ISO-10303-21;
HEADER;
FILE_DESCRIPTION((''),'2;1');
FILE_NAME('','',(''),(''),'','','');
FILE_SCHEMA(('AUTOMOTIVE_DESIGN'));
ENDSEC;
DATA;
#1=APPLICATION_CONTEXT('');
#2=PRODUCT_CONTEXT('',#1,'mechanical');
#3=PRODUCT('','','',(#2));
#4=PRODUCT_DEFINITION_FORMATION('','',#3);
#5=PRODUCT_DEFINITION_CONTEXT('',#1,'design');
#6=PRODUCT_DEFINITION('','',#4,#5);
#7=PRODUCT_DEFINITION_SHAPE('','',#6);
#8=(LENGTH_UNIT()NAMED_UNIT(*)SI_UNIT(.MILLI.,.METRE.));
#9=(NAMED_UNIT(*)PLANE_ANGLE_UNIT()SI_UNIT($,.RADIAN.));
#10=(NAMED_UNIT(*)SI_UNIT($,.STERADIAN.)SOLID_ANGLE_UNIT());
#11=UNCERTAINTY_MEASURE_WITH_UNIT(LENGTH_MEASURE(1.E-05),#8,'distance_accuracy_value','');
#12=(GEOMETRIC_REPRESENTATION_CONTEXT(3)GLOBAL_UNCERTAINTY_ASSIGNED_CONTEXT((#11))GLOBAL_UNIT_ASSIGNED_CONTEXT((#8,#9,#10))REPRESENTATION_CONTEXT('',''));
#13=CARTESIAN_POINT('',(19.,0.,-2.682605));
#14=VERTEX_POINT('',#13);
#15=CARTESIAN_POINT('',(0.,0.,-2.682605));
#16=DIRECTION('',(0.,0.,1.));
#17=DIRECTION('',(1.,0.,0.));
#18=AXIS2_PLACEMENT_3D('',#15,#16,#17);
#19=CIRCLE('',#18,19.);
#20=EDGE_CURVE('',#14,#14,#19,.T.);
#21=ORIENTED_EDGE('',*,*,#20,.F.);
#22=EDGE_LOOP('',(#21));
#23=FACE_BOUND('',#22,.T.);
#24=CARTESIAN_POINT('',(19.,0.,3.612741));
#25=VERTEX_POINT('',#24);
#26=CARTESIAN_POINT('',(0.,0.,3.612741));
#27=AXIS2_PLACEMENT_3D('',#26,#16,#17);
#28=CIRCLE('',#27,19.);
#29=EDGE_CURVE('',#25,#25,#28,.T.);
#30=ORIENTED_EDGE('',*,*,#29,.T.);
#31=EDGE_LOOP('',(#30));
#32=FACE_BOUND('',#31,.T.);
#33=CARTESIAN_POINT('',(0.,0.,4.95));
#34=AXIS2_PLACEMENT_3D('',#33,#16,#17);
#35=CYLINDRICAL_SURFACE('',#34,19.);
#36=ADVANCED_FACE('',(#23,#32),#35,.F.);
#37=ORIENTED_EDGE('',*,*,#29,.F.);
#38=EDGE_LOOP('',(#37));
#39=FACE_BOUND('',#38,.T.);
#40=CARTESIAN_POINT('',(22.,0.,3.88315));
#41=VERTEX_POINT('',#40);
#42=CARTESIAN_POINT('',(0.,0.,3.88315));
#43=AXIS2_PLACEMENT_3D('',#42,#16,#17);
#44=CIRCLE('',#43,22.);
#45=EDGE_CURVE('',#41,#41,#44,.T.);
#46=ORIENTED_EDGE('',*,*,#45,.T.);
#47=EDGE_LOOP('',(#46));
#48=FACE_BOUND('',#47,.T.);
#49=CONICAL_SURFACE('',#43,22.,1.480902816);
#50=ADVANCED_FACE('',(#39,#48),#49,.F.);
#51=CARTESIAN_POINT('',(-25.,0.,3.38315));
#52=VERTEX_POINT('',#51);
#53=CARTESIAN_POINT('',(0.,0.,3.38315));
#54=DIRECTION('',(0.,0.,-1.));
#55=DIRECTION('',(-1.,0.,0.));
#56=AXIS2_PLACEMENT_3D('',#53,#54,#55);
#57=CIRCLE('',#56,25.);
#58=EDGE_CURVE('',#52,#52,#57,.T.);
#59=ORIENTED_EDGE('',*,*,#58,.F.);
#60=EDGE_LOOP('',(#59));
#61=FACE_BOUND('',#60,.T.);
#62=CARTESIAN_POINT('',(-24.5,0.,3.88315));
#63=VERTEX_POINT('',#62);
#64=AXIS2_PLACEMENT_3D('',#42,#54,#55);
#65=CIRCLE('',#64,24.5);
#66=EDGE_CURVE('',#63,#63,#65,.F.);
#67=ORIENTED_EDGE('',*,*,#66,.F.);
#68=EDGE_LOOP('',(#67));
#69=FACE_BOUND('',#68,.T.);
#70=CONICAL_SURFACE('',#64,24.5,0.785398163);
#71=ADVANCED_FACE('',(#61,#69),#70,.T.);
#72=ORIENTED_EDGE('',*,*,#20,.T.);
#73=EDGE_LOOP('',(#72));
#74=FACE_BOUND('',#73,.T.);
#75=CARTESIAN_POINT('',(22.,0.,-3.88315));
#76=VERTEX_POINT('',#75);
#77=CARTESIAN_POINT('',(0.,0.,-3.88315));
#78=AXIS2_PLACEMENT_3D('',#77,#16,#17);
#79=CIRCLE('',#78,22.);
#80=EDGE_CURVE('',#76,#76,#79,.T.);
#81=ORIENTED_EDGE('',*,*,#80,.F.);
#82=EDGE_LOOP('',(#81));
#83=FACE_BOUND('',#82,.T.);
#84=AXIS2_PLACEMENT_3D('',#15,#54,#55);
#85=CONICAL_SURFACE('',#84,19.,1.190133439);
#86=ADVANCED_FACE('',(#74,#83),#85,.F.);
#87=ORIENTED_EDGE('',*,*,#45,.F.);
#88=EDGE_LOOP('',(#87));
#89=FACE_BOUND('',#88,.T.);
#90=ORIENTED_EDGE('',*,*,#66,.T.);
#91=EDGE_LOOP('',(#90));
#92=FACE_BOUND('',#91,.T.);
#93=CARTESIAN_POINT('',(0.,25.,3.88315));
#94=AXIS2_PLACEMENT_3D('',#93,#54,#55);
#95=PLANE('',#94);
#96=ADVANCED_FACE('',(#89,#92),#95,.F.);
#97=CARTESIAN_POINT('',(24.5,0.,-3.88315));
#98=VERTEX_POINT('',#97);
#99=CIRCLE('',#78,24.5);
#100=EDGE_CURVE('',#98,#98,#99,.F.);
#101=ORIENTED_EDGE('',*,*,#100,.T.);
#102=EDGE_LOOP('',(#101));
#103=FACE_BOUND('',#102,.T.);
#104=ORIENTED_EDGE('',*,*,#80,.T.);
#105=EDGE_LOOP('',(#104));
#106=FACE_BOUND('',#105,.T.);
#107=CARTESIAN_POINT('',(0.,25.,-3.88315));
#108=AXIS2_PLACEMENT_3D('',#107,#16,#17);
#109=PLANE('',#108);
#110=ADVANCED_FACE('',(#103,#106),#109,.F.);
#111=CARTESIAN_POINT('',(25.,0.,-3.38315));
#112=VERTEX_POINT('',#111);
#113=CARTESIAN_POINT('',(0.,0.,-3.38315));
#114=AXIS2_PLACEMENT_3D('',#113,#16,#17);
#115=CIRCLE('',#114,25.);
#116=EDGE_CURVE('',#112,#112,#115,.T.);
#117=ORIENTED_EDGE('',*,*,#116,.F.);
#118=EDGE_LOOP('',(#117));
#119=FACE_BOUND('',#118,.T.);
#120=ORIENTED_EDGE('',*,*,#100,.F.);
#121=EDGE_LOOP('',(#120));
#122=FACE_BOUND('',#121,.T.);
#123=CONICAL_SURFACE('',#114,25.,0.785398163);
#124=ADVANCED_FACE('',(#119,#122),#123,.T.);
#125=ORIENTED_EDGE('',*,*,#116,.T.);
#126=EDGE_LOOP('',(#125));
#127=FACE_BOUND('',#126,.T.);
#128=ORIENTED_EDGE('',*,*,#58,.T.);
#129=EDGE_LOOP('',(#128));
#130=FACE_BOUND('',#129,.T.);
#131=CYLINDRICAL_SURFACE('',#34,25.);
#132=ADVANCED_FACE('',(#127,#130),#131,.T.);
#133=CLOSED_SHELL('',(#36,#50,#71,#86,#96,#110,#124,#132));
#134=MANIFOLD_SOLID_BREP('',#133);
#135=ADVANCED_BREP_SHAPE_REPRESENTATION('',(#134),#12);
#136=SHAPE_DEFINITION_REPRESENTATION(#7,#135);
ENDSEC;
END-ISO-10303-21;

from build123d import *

# Parameters (mm, degrees)
CHAMFER1_SIZE = 0.5


with BuildPart() as part:
    # Sketch1 → Revolve1 (revolve)
    with BuildSketch(Plane(origin=(0, 0, 0), x_dir=(0, 0, -1), z_dir=(1, 0, 0)), mode=Mode.PRIVATE) as revolve1_sk:
        Polygon((-3.88315, 25), (3.88315, 25), (3.88315, 22), (2.682605307, 19), (-3.612740697, 19), (-3.88315, 22), align=None)
    revolve(revolve1_sk.sketch.rotate(Axis((0, 0, 4.95), (0, 0, -1)), 90), axis=Axis((0, 0, 4.95), (0, 0, -1)))

    # Chamfer1
    chamfer1_edges = [part.edges().sort_by_distance(p)[0] for p in [
        (-25, 0, 3.88315),
        (-25, 0, -3.88315),
    ]]
    chamfer(chamfer1_edges, length=CHAMFER1_SIZE)


solid = part.part
